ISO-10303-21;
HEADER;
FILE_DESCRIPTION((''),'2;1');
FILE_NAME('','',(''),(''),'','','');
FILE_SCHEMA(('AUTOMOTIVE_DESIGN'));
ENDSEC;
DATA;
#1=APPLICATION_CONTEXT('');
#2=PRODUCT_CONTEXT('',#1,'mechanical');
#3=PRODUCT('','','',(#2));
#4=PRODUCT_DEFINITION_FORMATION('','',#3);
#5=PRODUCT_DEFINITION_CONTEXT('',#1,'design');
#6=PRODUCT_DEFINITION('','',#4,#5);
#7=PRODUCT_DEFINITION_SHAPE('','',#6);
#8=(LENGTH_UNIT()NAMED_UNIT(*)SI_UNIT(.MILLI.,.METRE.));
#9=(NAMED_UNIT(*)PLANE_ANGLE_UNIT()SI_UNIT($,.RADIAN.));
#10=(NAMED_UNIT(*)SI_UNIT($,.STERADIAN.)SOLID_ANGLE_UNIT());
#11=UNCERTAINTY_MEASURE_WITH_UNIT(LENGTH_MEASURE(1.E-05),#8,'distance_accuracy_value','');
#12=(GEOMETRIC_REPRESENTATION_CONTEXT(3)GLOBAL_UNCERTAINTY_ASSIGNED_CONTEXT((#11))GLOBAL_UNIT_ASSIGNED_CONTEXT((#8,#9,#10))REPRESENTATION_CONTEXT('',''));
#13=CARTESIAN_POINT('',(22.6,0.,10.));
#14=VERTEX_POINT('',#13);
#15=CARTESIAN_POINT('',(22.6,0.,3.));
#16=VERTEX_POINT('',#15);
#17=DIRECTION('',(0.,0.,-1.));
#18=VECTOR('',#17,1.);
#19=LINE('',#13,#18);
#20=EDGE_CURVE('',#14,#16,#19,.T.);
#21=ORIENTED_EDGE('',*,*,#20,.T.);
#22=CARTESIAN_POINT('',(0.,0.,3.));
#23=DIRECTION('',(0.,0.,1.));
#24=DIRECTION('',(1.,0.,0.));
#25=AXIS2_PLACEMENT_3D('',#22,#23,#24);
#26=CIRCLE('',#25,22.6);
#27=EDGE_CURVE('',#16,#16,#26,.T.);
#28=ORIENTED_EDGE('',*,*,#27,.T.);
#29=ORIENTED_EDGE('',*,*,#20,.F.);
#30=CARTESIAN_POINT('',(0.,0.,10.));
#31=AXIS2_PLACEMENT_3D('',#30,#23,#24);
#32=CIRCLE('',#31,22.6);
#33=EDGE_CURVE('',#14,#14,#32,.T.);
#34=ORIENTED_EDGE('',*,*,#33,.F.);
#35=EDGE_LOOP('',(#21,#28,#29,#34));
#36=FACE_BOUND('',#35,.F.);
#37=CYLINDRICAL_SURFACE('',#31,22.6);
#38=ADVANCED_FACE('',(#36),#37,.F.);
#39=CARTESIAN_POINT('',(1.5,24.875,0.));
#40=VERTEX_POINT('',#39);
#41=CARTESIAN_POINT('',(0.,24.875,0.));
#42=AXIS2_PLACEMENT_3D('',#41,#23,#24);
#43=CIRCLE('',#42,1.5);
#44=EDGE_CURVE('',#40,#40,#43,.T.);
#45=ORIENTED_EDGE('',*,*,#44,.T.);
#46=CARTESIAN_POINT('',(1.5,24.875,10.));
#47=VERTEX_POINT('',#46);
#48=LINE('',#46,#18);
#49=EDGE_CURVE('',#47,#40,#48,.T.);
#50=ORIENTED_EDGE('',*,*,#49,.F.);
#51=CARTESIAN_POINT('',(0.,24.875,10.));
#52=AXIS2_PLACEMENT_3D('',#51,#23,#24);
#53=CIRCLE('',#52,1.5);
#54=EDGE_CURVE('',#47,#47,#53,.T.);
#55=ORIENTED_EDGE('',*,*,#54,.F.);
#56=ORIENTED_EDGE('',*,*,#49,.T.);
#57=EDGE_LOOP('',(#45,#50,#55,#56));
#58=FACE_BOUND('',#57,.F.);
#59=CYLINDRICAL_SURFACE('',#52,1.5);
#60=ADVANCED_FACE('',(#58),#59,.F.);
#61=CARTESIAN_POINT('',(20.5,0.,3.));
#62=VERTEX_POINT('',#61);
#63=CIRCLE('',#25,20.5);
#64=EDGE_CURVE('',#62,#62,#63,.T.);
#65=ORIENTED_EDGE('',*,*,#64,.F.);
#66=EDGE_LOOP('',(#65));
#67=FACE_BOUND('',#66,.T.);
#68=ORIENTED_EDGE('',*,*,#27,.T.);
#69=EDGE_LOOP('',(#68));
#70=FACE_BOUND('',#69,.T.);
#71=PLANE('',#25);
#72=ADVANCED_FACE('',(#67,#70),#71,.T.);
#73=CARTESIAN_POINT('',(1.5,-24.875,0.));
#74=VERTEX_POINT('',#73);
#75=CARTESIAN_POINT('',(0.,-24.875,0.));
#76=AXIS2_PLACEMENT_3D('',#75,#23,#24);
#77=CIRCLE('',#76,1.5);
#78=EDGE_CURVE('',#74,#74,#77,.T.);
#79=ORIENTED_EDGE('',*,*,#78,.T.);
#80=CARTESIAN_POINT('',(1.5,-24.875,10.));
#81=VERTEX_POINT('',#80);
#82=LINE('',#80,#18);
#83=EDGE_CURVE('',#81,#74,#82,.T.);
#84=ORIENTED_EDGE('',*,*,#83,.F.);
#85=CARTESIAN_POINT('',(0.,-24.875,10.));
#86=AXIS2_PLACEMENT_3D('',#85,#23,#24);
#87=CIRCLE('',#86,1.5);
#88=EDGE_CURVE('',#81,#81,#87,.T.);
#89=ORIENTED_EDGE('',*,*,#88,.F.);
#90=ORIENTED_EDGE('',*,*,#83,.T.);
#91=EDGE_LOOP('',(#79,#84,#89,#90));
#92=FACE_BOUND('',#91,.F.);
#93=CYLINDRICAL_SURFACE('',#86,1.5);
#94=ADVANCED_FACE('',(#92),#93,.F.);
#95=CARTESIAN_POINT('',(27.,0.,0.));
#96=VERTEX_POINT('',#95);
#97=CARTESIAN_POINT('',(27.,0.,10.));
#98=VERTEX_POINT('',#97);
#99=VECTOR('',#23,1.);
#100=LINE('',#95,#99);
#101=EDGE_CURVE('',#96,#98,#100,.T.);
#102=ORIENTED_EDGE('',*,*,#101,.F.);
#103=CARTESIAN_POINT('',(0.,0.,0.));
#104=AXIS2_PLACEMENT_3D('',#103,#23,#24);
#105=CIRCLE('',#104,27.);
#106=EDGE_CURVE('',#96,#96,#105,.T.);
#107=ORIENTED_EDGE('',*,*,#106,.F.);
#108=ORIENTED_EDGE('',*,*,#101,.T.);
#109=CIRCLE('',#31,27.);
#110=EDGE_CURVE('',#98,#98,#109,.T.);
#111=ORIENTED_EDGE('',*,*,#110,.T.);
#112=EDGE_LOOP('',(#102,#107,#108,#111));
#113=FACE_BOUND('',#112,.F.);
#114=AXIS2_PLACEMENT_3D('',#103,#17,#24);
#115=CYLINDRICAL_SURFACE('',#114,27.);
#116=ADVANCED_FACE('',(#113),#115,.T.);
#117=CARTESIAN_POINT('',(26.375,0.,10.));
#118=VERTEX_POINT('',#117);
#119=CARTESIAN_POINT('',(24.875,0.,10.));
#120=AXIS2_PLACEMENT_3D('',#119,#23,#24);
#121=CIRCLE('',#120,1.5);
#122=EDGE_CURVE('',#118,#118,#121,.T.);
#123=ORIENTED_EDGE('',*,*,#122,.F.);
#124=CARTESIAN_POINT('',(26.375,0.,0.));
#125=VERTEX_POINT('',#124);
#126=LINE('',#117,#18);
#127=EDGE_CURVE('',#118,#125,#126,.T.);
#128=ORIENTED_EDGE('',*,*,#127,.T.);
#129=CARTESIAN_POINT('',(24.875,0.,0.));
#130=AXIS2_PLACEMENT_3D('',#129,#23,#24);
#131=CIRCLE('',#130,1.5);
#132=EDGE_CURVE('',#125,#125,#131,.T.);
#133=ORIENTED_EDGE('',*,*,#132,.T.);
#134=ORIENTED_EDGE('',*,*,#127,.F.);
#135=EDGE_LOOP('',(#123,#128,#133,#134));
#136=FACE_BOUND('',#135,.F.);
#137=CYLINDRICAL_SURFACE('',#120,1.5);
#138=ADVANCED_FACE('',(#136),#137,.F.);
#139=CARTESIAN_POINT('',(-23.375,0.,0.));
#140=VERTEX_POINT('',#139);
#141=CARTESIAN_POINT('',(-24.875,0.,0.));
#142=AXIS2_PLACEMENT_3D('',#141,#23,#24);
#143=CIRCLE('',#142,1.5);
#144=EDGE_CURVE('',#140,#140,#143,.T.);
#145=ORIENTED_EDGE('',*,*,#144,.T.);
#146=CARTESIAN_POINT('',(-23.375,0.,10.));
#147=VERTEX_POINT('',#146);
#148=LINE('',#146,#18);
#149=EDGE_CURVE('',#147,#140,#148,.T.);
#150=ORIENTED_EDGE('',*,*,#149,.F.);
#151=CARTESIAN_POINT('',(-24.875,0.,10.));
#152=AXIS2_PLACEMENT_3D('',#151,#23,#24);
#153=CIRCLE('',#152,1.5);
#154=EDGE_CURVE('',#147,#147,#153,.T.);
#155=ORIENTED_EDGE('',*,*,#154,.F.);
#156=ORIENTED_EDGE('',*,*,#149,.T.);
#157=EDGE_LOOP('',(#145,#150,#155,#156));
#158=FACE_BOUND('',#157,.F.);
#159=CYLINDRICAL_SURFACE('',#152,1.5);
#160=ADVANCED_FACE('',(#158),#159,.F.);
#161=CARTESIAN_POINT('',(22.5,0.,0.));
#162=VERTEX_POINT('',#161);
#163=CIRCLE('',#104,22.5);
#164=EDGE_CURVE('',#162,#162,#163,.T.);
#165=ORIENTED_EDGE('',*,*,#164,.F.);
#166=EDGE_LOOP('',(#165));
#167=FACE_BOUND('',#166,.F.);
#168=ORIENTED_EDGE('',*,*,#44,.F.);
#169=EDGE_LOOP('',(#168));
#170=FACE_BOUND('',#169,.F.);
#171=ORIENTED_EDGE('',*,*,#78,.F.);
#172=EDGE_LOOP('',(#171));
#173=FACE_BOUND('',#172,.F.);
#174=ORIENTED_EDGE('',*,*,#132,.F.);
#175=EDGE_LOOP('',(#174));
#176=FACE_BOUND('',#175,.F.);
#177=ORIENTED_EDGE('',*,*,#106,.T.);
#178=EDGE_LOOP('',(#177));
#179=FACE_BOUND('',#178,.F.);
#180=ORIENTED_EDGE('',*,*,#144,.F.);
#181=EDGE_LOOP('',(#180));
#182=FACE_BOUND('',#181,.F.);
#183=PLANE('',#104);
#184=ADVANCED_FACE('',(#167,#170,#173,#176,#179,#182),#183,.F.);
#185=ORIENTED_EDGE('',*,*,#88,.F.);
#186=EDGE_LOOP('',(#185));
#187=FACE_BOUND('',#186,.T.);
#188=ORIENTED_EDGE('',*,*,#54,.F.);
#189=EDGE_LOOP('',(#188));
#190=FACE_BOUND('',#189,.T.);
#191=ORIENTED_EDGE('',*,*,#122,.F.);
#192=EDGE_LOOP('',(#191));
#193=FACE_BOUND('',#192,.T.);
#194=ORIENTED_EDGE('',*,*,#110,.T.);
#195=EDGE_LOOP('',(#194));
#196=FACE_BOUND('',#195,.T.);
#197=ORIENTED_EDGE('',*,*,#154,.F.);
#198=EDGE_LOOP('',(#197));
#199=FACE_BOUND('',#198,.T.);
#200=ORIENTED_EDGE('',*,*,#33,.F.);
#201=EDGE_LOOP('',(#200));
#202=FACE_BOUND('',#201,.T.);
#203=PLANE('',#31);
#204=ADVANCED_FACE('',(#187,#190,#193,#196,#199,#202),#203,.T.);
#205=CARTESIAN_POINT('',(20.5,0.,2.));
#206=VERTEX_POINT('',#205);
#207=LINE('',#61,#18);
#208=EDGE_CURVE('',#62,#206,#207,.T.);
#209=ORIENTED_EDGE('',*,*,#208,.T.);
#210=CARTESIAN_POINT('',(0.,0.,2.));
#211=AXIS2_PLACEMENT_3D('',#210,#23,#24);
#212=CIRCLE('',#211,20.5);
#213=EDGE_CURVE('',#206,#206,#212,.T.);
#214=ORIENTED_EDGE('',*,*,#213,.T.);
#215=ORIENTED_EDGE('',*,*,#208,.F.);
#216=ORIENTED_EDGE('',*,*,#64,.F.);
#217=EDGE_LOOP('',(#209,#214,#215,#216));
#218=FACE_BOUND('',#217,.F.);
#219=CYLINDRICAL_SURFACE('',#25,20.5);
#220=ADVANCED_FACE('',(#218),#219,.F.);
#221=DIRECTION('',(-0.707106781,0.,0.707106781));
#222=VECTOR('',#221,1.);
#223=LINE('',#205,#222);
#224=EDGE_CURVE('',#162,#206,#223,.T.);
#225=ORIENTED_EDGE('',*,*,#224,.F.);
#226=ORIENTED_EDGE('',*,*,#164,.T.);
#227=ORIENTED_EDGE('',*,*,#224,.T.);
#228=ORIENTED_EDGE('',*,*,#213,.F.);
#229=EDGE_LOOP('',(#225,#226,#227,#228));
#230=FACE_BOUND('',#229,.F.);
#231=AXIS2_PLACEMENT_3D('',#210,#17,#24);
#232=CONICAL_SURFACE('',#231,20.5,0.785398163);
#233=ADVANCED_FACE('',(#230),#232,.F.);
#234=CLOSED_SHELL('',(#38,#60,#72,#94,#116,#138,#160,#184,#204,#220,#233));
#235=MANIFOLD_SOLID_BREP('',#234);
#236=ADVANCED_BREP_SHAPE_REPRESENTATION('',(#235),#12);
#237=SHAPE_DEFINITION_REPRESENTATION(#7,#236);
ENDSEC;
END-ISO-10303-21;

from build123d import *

# Parameters (mm, degrees)
F0_R     = 27
F1_DEPTH = 10
F2_R     = 22.6
F3_DEPTH = 7
F4_R     = 20.5
F5_DEPTH = 3.001
F6_R     = 1.5
F7_DEPTH = 10.001
F8_SIZE  = 2


with BuildPart() as f1:
    # F0 (on Top) → F1 (new body)
    with BuildSketch(Plane.XY):
        Circle(F0_R)
    extrude(amount=F1_DEPTH)

    # F2 (on face) → F3 (cut)
    with BuildSketch(Plane.XY.offset(10)):
        Circle(F2_R)
    extrude(amount=-F3_DEPTH, mode=Mode.SUBTRACT)

    # F4 (on face) → F5 (cut, through all)
    with BuildSketch(Plane.XY.offset(3)):
        Circle(F4_R)
    extrude(amount=-F5_DEPTH, mode=Mode.SUBTRACT)

    # F6 (on face) → F7 (cut, through all)
    with BuildSketch(Plane.XY.offset(10)):
        with Locations((-24.875, 0)):
            Circle(F6_R)
        with Locations((24.875, 0)):
            Circle(F6_R)
        with Locations((0, 24.875)):
            Circle(F6_R)
        with Locations((0, -24.875)):
            Circle(F6_R)
    extrude(amount=-F7_DEPTH, mode=Mode.SUBTRACT)

    # F8
    f8_edges = [f1.edges().sort_by_distance(p)[0] for p in [
        (-20.5, 0, 0),
    ]]
    chamfer(f8_edges, length=F8_SIZE)


solid = f1.part
